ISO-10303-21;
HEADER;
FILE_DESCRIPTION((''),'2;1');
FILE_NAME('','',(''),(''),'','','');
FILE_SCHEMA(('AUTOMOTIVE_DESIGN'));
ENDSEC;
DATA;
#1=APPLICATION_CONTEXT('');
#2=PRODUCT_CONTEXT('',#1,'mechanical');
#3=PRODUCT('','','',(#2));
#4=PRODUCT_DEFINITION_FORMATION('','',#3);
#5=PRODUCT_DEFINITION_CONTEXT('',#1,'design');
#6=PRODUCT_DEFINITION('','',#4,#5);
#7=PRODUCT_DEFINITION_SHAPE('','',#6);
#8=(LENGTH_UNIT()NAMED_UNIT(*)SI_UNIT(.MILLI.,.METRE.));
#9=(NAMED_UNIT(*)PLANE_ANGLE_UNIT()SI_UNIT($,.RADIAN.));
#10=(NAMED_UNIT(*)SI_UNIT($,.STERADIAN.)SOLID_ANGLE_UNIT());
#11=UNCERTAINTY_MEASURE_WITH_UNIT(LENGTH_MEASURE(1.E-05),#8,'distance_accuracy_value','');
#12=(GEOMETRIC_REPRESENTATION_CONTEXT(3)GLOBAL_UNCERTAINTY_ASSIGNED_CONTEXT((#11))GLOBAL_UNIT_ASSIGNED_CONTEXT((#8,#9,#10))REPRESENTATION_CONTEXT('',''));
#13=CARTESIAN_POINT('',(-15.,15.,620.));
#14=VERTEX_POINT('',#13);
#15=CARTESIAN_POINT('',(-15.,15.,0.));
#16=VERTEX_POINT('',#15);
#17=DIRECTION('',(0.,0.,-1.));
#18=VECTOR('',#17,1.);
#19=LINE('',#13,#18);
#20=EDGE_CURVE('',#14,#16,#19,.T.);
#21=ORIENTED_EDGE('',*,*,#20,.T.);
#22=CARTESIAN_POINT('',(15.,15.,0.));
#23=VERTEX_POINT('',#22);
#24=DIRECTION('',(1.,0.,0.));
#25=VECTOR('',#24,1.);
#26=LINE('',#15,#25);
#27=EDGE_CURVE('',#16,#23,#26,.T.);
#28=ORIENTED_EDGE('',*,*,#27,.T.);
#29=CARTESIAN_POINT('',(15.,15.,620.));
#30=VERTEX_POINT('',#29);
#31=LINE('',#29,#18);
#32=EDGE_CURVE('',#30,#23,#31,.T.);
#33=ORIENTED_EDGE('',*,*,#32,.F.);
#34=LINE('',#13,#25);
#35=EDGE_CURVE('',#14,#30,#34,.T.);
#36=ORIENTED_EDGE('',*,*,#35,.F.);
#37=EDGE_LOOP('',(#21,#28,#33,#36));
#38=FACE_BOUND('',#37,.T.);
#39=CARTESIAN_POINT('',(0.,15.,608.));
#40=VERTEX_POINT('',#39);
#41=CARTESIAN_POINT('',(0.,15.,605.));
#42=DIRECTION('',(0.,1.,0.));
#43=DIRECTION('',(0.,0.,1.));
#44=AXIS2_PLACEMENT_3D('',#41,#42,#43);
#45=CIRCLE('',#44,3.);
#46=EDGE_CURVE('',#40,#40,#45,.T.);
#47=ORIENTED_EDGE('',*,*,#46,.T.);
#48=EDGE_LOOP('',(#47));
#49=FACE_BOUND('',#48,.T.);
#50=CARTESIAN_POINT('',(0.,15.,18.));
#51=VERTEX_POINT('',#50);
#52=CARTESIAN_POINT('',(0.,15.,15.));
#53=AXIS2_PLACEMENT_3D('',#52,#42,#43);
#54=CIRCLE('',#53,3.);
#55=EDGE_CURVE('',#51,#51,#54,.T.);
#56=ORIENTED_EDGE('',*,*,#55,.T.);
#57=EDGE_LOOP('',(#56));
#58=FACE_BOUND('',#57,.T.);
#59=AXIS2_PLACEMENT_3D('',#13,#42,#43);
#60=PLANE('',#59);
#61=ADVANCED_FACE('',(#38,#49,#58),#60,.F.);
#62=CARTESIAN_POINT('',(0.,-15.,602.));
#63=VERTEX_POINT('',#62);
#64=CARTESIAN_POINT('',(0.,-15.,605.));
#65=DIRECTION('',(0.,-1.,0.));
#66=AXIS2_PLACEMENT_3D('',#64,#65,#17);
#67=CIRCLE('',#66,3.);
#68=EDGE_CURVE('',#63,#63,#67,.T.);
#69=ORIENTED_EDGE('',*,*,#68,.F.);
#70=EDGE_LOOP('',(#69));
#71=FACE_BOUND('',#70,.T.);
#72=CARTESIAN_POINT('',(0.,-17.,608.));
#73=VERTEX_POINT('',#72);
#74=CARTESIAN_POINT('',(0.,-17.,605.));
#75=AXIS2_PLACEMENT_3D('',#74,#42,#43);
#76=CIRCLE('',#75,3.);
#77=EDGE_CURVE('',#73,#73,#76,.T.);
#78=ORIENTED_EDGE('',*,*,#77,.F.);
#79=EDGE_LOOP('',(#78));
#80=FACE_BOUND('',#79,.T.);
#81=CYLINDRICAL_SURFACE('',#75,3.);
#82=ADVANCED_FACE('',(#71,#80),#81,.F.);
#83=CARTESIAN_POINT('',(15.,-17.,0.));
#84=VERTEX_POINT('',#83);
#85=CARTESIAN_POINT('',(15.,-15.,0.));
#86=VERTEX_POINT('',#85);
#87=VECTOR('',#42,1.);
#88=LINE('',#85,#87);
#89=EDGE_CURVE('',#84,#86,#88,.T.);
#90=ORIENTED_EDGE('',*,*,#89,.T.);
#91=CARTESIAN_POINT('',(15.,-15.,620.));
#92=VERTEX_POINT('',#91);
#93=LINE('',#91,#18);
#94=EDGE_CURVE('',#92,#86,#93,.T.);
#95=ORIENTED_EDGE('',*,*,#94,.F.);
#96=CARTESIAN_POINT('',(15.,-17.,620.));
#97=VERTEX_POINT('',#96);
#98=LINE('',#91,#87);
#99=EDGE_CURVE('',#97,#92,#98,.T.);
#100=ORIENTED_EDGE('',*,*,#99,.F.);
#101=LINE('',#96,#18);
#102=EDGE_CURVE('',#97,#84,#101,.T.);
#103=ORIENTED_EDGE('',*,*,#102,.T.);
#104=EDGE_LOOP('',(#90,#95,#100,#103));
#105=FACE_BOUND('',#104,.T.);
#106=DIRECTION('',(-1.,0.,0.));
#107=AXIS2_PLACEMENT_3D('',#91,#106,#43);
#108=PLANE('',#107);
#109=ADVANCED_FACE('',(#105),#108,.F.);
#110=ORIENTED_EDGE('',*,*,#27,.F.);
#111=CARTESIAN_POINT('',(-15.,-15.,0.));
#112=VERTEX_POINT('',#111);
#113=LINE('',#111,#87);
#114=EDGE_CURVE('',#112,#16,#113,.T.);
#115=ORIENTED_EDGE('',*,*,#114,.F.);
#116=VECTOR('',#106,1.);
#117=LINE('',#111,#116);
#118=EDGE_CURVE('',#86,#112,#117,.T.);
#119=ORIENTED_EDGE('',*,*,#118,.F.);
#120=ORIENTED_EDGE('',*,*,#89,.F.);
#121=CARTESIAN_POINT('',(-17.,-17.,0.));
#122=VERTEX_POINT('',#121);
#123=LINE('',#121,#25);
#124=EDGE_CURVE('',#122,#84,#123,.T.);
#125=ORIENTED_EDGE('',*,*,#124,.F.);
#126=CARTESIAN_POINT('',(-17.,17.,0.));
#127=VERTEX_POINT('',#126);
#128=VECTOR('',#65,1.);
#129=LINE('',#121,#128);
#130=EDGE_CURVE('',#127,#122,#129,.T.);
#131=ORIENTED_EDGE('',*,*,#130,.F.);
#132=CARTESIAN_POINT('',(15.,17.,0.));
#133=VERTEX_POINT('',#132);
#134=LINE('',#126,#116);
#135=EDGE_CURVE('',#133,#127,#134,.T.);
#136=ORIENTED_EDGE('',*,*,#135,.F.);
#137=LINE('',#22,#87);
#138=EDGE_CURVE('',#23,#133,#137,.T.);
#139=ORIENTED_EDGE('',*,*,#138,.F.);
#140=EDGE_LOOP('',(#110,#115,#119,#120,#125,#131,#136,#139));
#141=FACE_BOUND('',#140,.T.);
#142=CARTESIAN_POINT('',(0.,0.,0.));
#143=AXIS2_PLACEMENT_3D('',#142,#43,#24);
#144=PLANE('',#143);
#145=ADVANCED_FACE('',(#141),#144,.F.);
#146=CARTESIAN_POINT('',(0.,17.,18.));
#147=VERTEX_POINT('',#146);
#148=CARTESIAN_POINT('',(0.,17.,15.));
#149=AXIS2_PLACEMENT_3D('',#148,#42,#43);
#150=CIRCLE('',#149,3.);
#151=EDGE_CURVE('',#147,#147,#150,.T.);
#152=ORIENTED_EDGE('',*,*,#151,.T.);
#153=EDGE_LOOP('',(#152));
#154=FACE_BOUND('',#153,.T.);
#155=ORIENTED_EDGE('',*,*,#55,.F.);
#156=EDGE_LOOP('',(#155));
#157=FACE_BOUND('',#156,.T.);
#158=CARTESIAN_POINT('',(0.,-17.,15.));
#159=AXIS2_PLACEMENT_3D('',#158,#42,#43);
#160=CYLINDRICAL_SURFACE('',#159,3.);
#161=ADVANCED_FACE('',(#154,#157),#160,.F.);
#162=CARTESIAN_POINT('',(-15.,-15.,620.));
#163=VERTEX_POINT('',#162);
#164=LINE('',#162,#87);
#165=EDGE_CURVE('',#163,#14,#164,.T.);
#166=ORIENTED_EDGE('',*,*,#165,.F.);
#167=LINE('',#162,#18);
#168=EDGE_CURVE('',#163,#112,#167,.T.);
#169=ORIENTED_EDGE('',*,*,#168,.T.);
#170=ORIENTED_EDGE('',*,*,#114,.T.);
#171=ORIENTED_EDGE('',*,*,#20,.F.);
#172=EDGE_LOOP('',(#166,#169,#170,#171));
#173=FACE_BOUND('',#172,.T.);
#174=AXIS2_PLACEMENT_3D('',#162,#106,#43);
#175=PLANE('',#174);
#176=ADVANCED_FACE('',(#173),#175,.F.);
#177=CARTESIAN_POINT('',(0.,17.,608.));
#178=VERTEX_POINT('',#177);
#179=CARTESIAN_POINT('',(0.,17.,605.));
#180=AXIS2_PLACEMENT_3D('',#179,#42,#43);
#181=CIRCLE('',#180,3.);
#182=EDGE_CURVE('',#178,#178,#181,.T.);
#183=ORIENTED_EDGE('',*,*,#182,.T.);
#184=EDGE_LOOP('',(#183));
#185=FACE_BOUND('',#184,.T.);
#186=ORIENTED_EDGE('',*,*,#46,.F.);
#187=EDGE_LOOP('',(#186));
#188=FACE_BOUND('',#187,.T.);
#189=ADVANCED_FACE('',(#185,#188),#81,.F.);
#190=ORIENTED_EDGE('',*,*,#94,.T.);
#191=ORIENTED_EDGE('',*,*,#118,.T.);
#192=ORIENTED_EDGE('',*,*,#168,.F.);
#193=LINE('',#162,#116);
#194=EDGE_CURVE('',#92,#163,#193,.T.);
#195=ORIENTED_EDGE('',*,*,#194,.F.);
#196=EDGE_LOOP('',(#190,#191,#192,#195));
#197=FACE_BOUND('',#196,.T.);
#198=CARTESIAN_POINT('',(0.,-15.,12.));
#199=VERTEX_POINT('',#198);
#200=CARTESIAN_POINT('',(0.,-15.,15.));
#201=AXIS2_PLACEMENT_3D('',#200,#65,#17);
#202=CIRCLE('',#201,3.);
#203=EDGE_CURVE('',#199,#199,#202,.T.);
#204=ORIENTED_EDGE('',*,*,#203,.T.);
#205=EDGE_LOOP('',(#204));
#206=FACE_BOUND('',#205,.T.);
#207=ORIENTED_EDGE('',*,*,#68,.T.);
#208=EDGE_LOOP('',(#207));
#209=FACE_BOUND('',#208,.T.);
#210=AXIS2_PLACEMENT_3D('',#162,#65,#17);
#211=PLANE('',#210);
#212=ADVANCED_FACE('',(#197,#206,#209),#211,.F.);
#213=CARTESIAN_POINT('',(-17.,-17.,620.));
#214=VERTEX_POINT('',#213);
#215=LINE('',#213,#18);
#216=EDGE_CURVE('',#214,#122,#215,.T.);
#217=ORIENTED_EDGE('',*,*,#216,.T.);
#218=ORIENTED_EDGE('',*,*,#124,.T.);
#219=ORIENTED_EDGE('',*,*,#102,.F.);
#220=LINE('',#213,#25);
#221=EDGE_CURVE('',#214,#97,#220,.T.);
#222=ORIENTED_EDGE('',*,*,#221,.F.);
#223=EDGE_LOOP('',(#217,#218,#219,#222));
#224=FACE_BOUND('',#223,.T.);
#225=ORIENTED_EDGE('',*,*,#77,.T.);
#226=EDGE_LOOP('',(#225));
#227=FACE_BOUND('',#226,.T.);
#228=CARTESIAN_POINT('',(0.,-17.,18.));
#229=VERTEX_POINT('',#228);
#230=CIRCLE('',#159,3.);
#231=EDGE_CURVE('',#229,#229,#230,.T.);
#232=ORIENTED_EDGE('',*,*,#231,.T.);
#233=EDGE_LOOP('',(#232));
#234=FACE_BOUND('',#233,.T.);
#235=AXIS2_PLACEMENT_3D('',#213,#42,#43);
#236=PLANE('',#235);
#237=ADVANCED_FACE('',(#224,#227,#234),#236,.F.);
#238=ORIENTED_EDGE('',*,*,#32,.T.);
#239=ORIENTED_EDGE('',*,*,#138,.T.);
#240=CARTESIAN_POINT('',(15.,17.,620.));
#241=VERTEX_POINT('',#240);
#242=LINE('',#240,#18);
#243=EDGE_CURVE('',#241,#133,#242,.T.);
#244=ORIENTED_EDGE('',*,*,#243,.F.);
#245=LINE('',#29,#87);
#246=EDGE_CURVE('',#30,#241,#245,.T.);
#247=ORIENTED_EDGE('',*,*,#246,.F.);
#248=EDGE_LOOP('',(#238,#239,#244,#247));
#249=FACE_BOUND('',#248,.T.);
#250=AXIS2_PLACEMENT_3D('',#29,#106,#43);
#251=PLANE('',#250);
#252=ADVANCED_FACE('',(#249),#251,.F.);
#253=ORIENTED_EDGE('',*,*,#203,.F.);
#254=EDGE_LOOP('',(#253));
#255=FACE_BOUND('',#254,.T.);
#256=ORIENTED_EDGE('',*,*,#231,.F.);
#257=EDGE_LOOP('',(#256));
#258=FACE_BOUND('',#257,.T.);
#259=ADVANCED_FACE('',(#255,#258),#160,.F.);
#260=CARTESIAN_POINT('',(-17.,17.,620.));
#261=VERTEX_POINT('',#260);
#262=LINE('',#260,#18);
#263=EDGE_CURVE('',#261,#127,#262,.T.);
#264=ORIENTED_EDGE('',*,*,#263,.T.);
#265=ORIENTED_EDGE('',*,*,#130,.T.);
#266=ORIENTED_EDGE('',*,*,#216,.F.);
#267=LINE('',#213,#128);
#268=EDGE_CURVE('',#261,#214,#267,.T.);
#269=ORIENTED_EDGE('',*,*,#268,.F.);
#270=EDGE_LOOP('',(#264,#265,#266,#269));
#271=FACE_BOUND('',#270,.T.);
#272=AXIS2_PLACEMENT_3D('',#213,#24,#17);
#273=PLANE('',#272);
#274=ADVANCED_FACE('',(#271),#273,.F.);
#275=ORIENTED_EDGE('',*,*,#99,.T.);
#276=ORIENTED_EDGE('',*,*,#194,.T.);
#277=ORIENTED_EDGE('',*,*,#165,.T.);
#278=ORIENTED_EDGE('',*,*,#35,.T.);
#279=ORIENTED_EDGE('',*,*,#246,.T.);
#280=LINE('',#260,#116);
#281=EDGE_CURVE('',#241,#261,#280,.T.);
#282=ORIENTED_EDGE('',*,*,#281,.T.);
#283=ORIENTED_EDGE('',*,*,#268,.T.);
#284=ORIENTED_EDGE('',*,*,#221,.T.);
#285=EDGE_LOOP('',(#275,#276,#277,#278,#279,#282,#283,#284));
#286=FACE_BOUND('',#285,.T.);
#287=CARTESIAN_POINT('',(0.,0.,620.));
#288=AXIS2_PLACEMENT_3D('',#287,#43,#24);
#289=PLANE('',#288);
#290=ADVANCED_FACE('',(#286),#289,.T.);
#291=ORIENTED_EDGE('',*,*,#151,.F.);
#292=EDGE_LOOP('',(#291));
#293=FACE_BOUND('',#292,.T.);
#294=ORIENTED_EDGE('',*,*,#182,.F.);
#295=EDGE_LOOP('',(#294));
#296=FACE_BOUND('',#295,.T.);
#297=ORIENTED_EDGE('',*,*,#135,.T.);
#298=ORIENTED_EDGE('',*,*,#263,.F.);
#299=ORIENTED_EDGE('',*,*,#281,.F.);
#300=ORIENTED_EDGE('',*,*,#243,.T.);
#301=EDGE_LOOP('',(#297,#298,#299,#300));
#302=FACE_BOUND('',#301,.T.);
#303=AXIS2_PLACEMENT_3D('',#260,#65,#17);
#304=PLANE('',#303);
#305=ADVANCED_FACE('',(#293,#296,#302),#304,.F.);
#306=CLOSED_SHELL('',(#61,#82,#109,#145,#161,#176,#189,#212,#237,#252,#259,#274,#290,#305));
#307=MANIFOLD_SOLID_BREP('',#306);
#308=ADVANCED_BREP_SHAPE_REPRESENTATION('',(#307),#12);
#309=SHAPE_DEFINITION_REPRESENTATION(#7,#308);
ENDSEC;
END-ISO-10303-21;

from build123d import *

# Parameters (mm, degrees)
BOSS_EXTRUDE1_DEPTH = 620
SKETCH2_R           = 3
CUT_EXTRUDE1_DEPTH  = 622.164229492


with BuildPart() as part:
    # Sketch1 → Boss-Extrude1 (new body)
    with BuildSketch(Plane.XY):
        Polygon((15, 15), (15, 17), (-17, 17), (-17, -17), (15, -17), (15, -15), (-15, -15), (-15, 15), align=None)
    extrude(amount=BOSS_EXTRUDE1_DEPTH)

    # Sketch2 → Cut-Extrude1 (cut, through all)
    with BuildSketch(Plane(origin=(0, 17, 0), x_dir=(1, 0, 0), z_dir=(0, 1, 0))):
        with Locations(Location((0, -605, 0), (0, 0, 270))):
            Circle(SKETCH2_R)
        with Locations(Location((0, -15, 0), (0, 0, 270))):
            Circle(SKETCH2_R)
    extrude(amount=-CUT_EXTRUDE1_DEPTH, mode=Mode.SUBTRACT)


solid = part.part
